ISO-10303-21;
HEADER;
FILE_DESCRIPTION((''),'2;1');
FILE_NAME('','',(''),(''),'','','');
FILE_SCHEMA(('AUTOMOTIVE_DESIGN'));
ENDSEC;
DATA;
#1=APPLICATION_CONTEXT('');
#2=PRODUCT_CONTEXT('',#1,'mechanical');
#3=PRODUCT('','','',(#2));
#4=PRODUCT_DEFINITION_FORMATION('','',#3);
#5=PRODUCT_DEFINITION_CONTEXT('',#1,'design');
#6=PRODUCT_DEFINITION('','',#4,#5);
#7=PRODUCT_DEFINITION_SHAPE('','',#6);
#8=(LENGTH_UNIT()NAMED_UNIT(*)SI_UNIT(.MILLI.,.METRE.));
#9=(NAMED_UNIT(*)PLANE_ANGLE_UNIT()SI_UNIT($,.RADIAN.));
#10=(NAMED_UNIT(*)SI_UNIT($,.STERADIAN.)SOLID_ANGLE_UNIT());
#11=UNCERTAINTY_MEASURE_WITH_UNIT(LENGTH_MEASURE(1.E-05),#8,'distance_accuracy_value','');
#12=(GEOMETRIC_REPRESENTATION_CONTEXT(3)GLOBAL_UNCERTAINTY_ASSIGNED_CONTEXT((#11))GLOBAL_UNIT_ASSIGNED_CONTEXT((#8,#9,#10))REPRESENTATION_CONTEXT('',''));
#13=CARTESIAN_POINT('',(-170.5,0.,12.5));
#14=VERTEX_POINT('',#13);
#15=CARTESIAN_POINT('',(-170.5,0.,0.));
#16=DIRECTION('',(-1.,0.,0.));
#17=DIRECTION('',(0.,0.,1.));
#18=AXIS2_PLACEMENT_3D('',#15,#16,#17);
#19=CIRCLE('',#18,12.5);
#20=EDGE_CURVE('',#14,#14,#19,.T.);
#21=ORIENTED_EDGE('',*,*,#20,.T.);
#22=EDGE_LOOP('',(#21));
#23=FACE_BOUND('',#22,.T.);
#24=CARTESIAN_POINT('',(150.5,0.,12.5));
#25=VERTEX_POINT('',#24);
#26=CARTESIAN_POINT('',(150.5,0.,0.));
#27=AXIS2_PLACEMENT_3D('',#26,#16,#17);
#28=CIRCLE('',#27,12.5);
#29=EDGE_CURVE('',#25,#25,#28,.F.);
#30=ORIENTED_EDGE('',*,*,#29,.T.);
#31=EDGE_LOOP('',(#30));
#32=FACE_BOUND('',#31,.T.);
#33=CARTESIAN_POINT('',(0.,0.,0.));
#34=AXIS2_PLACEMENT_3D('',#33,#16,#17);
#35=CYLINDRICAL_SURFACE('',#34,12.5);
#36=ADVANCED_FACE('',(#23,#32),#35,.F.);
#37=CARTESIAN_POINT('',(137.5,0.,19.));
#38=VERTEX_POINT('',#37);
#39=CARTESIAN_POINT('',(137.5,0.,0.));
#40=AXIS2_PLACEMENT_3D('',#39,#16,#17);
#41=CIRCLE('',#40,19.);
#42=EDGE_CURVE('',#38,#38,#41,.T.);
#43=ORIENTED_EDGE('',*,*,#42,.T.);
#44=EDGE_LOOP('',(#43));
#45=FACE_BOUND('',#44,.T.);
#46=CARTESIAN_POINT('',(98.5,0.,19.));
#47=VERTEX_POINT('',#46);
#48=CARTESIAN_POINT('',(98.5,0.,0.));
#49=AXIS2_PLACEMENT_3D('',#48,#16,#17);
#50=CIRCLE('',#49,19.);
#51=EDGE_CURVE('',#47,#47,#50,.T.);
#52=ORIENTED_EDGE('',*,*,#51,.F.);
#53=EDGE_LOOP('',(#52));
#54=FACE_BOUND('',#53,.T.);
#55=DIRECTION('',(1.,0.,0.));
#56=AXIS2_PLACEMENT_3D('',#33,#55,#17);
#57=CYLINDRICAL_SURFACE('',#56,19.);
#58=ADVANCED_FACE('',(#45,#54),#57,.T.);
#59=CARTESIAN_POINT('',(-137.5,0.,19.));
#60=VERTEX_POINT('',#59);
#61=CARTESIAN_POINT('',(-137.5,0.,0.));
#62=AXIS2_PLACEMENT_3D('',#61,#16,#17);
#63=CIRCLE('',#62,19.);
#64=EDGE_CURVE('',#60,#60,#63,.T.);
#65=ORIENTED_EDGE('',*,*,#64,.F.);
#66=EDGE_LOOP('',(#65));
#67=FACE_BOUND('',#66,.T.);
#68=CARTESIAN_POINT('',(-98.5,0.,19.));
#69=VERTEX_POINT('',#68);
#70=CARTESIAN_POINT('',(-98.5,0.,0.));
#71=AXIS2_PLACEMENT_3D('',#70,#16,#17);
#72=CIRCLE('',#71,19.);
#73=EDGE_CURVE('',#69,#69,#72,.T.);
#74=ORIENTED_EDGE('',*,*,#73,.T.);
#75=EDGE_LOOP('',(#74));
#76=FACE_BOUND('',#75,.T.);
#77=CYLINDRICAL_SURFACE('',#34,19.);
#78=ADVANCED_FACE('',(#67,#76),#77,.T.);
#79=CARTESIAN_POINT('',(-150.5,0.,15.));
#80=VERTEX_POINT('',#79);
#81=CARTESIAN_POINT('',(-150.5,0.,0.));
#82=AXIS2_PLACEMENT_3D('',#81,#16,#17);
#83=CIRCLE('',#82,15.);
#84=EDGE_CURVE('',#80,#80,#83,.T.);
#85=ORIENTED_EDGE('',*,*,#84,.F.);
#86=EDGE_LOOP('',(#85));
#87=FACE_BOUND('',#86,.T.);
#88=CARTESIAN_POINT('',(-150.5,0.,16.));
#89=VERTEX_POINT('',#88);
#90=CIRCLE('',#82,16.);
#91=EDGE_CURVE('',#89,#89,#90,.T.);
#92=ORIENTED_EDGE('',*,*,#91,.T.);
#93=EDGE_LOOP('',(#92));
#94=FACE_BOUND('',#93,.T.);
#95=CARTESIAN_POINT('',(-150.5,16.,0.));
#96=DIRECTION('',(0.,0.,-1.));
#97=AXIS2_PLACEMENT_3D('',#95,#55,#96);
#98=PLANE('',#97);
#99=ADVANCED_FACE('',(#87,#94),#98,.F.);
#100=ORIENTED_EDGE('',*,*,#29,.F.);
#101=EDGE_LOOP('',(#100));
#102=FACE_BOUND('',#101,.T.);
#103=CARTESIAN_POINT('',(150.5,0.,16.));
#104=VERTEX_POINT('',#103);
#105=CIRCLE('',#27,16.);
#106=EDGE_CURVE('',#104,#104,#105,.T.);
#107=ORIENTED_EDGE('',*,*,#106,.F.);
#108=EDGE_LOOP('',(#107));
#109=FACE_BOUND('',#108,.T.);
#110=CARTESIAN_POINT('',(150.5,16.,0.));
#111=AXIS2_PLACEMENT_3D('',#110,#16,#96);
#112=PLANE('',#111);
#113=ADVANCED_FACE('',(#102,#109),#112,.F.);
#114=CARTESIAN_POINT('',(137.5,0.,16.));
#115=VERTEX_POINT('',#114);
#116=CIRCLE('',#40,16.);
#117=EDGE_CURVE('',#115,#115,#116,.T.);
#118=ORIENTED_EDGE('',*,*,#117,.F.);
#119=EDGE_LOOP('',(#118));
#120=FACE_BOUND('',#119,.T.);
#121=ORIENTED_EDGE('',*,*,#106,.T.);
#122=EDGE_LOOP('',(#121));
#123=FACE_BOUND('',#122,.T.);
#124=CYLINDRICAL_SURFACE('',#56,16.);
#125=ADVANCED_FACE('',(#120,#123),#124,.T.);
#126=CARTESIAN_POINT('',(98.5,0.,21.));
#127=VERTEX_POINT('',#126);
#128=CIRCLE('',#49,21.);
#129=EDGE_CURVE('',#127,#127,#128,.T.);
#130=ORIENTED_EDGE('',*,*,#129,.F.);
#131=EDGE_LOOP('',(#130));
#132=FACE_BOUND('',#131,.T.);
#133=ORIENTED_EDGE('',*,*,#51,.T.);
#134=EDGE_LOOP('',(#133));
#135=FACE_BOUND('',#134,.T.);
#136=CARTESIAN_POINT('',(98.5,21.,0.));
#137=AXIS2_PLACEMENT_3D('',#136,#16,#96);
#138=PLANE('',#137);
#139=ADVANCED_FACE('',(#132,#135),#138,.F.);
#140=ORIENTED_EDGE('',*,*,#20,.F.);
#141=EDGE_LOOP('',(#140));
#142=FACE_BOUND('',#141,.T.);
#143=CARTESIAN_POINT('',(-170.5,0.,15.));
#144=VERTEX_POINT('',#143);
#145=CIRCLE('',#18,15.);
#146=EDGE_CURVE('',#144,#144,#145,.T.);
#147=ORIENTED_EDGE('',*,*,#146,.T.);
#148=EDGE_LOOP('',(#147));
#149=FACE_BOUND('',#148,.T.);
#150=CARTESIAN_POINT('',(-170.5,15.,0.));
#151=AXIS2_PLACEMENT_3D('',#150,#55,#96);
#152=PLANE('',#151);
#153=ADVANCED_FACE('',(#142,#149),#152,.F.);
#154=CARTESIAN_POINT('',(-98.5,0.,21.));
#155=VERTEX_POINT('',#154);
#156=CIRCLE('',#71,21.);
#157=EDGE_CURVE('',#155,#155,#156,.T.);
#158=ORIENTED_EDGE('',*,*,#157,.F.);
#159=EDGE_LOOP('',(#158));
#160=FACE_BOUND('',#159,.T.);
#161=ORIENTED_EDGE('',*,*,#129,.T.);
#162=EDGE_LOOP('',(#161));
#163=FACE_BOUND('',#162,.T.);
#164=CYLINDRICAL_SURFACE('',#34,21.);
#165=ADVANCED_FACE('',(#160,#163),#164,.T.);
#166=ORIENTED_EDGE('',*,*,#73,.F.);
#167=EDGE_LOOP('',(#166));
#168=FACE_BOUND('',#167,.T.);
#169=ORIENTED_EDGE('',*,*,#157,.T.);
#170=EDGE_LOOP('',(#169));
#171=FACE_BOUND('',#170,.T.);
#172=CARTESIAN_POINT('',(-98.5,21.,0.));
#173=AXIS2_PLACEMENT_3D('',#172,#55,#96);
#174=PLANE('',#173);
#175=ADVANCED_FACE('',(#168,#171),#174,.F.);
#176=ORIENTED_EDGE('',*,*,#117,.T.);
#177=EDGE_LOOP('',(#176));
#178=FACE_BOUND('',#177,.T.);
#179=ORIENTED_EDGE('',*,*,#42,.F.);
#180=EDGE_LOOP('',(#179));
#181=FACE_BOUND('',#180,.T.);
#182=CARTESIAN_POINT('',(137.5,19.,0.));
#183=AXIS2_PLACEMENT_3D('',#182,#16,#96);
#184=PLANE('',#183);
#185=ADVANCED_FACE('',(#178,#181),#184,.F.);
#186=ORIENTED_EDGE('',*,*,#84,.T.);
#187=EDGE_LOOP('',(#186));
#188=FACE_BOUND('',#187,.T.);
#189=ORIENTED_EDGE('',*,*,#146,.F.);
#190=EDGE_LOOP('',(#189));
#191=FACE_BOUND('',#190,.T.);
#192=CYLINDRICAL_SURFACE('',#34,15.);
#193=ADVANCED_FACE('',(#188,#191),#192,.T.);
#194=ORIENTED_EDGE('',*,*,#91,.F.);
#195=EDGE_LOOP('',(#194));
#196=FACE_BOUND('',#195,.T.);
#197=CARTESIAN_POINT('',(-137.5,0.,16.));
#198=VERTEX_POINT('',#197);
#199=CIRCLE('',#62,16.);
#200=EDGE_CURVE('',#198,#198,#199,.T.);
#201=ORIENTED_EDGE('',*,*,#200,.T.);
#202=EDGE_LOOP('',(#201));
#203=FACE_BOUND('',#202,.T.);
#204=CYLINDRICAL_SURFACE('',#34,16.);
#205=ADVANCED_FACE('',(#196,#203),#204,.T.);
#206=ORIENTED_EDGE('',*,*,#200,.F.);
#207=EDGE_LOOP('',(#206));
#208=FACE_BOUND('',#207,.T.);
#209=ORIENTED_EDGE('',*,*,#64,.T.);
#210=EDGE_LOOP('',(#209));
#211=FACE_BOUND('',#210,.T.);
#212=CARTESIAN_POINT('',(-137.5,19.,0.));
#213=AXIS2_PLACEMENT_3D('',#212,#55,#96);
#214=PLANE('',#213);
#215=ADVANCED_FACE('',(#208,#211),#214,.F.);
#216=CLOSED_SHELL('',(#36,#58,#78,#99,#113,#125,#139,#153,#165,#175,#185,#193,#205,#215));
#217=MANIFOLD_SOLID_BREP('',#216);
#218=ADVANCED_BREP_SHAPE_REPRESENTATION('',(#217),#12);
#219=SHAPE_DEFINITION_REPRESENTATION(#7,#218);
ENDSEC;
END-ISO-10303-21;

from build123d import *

# Parameters (mm, degrees)
SKETCH2_R      = 15
EXTRUDE1_DEPTH = 20


with BuildPart() as part:
    # Sketch1 → Revolve1 (revolve)
    with BuildSketch(Plane.XY, mode=Mode.PRIVATE) as revolve1_sk:
        Polygon((0, 21), (-98.5, 21), (-98.5, 19), (-137.5, 19), (-137.5, 16), (-150.5, 16), (-150.5, 15), (-170.5, 15), (-170.5, 12.5), (0, 12.5), align=None)
    revolve1 = revolve(revolve1_sk.sketch.rotate(Axis((0, 0, 0), (1, 0, 0)), 90), axis=Axis((0, 0, 0), (1, 0, 0)))

    # Mirror1: Revolve1 across plane
    add(revolve1.mirror(Plane(origin=(0, 0, 0), x_dir=(0, 0, 1), z_dir=(1, 0, 0))))

    # Sketch2 → Extrude1 (cut)
    with BuildSketch(Plane(origin=(170.5, 0, 0), x_dir=(0, 0, -1), z_dir=(1, 0, 0))):
        with Locations(Location((0, 0, 0), (0, 0, 180))):
            Circle(SKETCH2_R)
    extrude(amount=-EXTRUDE1_DEPTH, mode=Mode.SUBTRACT)


solid = part.part
